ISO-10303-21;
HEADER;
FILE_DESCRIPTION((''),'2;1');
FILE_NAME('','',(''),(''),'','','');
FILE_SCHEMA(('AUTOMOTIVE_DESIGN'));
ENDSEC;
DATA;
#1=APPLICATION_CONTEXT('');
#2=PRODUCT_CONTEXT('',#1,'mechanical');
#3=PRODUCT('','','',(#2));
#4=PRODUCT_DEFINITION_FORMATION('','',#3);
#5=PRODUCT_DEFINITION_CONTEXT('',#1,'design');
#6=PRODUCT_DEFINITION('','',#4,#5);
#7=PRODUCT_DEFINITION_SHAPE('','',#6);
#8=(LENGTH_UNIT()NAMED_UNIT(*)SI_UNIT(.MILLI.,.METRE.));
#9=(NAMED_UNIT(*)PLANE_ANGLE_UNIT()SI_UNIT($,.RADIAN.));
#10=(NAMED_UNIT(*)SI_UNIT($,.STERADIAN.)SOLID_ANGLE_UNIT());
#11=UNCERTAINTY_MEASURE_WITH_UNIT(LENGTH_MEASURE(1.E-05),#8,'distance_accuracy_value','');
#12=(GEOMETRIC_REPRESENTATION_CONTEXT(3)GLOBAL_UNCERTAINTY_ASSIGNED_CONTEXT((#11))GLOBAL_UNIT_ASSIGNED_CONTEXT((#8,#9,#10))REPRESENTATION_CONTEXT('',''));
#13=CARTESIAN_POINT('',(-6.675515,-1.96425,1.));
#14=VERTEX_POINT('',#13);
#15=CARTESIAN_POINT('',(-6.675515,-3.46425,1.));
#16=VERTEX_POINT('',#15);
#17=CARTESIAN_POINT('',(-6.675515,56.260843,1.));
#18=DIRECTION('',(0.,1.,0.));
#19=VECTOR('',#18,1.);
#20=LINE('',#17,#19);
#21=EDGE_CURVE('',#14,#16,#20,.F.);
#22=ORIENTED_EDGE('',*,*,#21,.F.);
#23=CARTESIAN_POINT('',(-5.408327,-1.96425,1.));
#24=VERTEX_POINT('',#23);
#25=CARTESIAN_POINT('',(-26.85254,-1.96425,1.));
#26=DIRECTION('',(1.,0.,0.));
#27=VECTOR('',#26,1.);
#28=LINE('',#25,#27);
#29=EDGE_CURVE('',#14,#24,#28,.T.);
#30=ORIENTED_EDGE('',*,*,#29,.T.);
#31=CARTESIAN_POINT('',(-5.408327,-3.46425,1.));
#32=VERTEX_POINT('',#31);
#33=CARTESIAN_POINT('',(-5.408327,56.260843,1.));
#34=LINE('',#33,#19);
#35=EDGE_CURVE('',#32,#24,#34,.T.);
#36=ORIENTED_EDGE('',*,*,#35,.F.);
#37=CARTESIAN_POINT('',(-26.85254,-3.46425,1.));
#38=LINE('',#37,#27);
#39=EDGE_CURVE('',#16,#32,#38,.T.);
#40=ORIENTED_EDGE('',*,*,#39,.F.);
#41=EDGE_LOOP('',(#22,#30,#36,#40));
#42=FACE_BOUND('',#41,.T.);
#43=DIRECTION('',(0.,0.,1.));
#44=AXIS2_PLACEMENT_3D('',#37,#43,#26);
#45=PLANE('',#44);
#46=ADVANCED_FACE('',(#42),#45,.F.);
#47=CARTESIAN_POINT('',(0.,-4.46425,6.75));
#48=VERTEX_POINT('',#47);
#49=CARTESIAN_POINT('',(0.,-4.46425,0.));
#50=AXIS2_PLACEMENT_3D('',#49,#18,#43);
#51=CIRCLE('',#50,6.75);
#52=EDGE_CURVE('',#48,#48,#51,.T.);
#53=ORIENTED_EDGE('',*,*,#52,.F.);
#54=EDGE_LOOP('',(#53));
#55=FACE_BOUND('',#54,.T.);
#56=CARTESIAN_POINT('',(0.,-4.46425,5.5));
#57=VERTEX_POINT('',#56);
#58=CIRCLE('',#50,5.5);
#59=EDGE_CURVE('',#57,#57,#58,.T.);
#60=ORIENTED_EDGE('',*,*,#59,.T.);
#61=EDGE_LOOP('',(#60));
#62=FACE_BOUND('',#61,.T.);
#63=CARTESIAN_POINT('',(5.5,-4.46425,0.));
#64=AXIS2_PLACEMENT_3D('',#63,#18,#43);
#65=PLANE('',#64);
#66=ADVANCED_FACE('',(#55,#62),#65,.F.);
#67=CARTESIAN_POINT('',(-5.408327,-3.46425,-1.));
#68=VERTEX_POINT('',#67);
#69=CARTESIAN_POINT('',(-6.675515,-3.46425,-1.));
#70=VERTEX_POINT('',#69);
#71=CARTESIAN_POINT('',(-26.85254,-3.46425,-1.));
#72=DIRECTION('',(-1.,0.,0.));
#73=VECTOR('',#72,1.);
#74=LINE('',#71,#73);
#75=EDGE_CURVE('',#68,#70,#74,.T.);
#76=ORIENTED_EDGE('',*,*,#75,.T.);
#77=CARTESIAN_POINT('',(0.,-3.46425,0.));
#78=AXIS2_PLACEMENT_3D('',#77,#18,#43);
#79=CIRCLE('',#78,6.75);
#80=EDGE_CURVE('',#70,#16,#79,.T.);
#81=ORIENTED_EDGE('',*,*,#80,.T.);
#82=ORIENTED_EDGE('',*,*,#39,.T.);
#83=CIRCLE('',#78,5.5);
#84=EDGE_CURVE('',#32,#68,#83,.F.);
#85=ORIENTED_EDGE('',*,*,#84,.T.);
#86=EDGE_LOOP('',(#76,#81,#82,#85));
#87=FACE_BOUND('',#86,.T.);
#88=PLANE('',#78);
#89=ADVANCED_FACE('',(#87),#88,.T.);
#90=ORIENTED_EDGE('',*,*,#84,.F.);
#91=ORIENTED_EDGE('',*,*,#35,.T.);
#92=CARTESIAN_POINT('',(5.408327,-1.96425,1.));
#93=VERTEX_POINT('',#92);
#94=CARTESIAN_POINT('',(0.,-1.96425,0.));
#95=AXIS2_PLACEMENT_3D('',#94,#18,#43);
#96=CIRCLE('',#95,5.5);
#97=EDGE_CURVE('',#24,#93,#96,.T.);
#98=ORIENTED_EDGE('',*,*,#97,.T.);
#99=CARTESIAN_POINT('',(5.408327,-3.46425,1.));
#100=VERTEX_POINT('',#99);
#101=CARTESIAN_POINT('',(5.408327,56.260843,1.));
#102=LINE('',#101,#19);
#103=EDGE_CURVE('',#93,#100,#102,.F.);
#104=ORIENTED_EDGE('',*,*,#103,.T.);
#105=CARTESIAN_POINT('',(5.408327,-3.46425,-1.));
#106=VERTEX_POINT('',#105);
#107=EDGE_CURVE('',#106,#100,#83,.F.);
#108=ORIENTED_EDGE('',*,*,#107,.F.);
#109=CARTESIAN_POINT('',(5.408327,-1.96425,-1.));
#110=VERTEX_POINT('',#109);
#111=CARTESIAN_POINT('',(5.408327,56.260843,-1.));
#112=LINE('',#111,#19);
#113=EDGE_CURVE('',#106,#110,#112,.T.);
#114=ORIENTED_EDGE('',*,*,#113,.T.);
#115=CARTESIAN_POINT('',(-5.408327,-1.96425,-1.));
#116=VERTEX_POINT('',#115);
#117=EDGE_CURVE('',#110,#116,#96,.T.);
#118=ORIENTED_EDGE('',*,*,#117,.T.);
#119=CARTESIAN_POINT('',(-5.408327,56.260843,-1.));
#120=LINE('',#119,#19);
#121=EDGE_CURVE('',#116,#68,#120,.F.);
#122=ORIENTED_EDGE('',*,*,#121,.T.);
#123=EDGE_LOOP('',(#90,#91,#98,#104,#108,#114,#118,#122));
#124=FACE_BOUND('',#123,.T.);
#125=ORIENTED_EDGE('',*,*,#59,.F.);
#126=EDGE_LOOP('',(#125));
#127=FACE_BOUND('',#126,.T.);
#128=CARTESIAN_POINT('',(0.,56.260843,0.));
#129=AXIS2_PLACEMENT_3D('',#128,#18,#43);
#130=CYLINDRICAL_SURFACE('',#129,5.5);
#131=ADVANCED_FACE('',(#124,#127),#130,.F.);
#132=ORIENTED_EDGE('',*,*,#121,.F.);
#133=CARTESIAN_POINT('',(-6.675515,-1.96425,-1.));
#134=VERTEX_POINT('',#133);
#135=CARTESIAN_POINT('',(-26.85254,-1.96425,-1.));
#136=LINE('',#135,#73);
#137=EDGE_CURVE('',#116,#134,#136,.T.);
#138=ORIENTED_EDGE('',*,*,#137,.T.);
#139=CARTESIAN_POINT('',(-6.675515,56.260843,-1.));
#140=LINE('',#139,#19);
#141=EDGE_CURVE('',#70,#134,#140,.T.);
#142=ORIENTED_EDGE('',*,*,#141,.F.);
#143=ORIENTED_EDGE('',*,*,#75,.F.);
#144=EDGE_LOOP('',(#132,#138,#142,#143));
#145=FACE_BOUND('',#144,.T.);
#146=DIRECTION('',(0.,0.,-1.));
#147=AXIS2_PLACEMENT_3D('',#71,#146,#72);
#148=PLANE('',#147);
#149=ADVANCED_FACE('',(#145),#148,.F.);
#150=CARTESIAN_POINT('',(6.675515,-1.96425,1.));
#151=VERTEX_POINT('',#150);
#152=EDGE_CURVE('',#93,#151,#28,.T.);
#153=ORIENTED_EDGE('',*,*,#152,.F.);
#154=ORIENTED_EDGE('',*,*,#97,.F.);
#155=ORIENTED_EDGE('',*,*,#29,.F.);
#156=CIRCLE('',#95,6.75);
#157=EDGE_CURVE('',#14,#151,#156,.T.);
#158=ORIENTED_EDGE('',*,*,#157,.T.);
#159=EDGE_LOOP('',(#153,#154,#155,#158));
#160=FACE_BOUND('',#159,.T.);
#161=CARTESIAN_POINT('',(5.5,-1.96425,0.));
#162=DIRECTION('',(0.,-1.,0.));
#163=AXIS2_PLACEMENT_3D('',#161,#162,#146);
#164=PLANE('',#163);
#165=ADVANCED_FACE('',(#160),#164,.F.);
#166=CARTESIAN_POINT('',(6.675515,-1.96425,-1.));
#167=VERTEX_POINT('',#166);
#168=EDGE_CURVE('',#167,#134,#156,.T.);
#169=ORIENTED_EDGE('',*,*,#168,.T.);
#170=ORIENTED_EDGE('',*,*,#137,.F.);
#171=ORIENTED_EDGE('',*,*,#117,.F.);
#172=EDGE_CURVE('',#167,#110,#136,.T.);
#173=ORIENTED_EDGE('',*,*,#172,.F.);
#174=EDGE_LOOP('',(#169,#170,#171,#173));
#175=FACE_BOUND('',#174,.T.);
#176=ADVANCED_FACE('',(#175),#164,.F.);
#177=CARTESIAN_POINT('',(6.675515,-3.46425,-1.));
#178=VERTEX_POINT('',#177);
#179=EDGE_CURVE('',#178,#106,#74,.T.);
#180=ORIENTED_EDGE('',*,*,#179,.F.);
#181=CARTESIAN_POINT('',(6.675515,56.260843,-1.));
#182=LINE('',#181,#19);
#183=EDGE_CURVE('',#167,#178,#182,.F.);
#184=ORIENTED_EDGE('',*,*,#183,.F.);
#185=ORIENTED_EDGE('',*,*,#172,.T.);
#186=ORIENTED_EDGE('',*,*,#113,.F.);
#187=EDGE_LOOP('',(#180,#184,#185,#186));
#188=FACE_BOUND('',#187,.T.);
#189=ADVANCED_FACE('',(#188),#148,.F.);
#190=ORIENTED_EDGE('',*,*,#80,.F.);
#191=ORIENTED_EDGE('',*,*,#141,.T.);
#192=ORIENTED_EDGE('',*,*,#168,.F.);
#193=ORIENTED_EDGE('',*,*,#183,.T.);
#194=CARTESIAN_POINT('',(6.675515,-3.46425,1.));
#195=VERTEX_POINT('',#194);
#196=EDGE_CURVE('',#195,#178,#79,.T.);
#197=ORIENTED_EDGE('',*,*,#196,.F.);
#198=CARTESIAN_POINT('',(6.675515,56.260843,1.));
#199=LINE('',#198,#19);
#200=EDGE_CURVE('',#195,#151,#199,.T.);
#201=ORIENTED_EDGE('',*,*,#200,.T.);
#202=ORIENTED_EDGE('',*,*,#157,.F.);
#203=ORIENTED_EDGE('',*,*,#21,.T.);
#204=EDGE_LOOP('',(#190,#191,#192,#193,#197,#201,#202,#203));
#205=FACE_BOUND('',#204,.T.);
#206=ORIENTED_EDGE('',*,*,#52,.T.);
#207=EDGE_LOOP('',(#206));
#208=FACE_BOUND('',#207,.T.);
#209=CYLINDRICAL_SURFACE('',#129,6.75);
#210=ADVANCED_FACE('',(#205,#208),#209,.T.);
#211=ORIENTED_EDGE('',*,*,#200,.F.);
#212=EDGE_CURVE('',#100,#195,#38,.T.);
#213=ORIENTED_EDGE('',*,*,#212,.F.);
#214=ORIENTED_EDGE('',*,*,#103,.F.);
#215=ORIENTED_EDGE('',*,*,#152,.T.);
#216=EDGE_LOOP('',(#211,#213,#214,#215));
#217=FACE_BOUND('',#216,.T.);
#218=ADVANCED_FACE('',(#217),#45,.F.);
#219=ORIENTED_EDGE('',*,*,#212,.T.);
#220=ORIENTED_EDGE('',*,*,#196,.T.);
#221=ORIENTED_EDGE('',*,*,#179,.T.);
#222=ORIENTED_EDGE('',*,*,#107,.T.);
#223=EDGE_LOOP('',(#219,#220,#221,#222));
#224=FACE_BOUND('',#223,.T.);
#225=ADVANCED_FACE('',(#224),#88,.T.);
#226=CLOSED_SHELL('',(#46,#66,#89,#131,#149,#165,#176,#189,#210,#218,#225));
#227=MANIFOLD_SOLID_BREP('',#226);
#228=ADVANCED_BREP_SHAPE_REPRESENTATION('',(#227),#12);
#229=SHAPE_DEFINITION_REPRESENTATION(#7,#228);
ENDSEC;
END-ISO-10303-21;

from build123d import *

# Parameters (mm, degrees)
SKETCH_1_W          = 1.25
SKETCH_1_H          = 2.5
SKETCH_2_W          = 53.705080546
SKETCH_2_H          = 2
CUT_EXTRUDE_1_DEPTH = 1.5


with BuildPart() as part:
    # 草图1 → 旋转1 (revolve)
    with BuildSketch(Plane.XY, mode=Mode.PRIVATE) as revolve_1_sk:
        with Locations((6.125, -3.214249787)):
            Rectangle(SKETCH_1_W, SKETCH_1_H)
    revolve(revolve_1_sk.sketch.rotate(Axis((0, 56.260842627, 0), (0, -1, 0)), 90), axis=Axis((0, 56.260842627, 0), (0, -1, 0)))  # turned: the seam where the file's is

    # 草图2 → 切除-拉伸1 (cut)
    with BuildSketch(Plane(origin=(0, -1.964249787, 0), x_dir=(1, 0, 0), z_dir=(0, 1, 0))):
        Rectangle(SKETCH_2_W, SKETCH_2_H)
    extrude(amount=-CUT_EXTRUDE_1_DEPTH, mode=Mode.SUBTRACT)


solid = part.part
